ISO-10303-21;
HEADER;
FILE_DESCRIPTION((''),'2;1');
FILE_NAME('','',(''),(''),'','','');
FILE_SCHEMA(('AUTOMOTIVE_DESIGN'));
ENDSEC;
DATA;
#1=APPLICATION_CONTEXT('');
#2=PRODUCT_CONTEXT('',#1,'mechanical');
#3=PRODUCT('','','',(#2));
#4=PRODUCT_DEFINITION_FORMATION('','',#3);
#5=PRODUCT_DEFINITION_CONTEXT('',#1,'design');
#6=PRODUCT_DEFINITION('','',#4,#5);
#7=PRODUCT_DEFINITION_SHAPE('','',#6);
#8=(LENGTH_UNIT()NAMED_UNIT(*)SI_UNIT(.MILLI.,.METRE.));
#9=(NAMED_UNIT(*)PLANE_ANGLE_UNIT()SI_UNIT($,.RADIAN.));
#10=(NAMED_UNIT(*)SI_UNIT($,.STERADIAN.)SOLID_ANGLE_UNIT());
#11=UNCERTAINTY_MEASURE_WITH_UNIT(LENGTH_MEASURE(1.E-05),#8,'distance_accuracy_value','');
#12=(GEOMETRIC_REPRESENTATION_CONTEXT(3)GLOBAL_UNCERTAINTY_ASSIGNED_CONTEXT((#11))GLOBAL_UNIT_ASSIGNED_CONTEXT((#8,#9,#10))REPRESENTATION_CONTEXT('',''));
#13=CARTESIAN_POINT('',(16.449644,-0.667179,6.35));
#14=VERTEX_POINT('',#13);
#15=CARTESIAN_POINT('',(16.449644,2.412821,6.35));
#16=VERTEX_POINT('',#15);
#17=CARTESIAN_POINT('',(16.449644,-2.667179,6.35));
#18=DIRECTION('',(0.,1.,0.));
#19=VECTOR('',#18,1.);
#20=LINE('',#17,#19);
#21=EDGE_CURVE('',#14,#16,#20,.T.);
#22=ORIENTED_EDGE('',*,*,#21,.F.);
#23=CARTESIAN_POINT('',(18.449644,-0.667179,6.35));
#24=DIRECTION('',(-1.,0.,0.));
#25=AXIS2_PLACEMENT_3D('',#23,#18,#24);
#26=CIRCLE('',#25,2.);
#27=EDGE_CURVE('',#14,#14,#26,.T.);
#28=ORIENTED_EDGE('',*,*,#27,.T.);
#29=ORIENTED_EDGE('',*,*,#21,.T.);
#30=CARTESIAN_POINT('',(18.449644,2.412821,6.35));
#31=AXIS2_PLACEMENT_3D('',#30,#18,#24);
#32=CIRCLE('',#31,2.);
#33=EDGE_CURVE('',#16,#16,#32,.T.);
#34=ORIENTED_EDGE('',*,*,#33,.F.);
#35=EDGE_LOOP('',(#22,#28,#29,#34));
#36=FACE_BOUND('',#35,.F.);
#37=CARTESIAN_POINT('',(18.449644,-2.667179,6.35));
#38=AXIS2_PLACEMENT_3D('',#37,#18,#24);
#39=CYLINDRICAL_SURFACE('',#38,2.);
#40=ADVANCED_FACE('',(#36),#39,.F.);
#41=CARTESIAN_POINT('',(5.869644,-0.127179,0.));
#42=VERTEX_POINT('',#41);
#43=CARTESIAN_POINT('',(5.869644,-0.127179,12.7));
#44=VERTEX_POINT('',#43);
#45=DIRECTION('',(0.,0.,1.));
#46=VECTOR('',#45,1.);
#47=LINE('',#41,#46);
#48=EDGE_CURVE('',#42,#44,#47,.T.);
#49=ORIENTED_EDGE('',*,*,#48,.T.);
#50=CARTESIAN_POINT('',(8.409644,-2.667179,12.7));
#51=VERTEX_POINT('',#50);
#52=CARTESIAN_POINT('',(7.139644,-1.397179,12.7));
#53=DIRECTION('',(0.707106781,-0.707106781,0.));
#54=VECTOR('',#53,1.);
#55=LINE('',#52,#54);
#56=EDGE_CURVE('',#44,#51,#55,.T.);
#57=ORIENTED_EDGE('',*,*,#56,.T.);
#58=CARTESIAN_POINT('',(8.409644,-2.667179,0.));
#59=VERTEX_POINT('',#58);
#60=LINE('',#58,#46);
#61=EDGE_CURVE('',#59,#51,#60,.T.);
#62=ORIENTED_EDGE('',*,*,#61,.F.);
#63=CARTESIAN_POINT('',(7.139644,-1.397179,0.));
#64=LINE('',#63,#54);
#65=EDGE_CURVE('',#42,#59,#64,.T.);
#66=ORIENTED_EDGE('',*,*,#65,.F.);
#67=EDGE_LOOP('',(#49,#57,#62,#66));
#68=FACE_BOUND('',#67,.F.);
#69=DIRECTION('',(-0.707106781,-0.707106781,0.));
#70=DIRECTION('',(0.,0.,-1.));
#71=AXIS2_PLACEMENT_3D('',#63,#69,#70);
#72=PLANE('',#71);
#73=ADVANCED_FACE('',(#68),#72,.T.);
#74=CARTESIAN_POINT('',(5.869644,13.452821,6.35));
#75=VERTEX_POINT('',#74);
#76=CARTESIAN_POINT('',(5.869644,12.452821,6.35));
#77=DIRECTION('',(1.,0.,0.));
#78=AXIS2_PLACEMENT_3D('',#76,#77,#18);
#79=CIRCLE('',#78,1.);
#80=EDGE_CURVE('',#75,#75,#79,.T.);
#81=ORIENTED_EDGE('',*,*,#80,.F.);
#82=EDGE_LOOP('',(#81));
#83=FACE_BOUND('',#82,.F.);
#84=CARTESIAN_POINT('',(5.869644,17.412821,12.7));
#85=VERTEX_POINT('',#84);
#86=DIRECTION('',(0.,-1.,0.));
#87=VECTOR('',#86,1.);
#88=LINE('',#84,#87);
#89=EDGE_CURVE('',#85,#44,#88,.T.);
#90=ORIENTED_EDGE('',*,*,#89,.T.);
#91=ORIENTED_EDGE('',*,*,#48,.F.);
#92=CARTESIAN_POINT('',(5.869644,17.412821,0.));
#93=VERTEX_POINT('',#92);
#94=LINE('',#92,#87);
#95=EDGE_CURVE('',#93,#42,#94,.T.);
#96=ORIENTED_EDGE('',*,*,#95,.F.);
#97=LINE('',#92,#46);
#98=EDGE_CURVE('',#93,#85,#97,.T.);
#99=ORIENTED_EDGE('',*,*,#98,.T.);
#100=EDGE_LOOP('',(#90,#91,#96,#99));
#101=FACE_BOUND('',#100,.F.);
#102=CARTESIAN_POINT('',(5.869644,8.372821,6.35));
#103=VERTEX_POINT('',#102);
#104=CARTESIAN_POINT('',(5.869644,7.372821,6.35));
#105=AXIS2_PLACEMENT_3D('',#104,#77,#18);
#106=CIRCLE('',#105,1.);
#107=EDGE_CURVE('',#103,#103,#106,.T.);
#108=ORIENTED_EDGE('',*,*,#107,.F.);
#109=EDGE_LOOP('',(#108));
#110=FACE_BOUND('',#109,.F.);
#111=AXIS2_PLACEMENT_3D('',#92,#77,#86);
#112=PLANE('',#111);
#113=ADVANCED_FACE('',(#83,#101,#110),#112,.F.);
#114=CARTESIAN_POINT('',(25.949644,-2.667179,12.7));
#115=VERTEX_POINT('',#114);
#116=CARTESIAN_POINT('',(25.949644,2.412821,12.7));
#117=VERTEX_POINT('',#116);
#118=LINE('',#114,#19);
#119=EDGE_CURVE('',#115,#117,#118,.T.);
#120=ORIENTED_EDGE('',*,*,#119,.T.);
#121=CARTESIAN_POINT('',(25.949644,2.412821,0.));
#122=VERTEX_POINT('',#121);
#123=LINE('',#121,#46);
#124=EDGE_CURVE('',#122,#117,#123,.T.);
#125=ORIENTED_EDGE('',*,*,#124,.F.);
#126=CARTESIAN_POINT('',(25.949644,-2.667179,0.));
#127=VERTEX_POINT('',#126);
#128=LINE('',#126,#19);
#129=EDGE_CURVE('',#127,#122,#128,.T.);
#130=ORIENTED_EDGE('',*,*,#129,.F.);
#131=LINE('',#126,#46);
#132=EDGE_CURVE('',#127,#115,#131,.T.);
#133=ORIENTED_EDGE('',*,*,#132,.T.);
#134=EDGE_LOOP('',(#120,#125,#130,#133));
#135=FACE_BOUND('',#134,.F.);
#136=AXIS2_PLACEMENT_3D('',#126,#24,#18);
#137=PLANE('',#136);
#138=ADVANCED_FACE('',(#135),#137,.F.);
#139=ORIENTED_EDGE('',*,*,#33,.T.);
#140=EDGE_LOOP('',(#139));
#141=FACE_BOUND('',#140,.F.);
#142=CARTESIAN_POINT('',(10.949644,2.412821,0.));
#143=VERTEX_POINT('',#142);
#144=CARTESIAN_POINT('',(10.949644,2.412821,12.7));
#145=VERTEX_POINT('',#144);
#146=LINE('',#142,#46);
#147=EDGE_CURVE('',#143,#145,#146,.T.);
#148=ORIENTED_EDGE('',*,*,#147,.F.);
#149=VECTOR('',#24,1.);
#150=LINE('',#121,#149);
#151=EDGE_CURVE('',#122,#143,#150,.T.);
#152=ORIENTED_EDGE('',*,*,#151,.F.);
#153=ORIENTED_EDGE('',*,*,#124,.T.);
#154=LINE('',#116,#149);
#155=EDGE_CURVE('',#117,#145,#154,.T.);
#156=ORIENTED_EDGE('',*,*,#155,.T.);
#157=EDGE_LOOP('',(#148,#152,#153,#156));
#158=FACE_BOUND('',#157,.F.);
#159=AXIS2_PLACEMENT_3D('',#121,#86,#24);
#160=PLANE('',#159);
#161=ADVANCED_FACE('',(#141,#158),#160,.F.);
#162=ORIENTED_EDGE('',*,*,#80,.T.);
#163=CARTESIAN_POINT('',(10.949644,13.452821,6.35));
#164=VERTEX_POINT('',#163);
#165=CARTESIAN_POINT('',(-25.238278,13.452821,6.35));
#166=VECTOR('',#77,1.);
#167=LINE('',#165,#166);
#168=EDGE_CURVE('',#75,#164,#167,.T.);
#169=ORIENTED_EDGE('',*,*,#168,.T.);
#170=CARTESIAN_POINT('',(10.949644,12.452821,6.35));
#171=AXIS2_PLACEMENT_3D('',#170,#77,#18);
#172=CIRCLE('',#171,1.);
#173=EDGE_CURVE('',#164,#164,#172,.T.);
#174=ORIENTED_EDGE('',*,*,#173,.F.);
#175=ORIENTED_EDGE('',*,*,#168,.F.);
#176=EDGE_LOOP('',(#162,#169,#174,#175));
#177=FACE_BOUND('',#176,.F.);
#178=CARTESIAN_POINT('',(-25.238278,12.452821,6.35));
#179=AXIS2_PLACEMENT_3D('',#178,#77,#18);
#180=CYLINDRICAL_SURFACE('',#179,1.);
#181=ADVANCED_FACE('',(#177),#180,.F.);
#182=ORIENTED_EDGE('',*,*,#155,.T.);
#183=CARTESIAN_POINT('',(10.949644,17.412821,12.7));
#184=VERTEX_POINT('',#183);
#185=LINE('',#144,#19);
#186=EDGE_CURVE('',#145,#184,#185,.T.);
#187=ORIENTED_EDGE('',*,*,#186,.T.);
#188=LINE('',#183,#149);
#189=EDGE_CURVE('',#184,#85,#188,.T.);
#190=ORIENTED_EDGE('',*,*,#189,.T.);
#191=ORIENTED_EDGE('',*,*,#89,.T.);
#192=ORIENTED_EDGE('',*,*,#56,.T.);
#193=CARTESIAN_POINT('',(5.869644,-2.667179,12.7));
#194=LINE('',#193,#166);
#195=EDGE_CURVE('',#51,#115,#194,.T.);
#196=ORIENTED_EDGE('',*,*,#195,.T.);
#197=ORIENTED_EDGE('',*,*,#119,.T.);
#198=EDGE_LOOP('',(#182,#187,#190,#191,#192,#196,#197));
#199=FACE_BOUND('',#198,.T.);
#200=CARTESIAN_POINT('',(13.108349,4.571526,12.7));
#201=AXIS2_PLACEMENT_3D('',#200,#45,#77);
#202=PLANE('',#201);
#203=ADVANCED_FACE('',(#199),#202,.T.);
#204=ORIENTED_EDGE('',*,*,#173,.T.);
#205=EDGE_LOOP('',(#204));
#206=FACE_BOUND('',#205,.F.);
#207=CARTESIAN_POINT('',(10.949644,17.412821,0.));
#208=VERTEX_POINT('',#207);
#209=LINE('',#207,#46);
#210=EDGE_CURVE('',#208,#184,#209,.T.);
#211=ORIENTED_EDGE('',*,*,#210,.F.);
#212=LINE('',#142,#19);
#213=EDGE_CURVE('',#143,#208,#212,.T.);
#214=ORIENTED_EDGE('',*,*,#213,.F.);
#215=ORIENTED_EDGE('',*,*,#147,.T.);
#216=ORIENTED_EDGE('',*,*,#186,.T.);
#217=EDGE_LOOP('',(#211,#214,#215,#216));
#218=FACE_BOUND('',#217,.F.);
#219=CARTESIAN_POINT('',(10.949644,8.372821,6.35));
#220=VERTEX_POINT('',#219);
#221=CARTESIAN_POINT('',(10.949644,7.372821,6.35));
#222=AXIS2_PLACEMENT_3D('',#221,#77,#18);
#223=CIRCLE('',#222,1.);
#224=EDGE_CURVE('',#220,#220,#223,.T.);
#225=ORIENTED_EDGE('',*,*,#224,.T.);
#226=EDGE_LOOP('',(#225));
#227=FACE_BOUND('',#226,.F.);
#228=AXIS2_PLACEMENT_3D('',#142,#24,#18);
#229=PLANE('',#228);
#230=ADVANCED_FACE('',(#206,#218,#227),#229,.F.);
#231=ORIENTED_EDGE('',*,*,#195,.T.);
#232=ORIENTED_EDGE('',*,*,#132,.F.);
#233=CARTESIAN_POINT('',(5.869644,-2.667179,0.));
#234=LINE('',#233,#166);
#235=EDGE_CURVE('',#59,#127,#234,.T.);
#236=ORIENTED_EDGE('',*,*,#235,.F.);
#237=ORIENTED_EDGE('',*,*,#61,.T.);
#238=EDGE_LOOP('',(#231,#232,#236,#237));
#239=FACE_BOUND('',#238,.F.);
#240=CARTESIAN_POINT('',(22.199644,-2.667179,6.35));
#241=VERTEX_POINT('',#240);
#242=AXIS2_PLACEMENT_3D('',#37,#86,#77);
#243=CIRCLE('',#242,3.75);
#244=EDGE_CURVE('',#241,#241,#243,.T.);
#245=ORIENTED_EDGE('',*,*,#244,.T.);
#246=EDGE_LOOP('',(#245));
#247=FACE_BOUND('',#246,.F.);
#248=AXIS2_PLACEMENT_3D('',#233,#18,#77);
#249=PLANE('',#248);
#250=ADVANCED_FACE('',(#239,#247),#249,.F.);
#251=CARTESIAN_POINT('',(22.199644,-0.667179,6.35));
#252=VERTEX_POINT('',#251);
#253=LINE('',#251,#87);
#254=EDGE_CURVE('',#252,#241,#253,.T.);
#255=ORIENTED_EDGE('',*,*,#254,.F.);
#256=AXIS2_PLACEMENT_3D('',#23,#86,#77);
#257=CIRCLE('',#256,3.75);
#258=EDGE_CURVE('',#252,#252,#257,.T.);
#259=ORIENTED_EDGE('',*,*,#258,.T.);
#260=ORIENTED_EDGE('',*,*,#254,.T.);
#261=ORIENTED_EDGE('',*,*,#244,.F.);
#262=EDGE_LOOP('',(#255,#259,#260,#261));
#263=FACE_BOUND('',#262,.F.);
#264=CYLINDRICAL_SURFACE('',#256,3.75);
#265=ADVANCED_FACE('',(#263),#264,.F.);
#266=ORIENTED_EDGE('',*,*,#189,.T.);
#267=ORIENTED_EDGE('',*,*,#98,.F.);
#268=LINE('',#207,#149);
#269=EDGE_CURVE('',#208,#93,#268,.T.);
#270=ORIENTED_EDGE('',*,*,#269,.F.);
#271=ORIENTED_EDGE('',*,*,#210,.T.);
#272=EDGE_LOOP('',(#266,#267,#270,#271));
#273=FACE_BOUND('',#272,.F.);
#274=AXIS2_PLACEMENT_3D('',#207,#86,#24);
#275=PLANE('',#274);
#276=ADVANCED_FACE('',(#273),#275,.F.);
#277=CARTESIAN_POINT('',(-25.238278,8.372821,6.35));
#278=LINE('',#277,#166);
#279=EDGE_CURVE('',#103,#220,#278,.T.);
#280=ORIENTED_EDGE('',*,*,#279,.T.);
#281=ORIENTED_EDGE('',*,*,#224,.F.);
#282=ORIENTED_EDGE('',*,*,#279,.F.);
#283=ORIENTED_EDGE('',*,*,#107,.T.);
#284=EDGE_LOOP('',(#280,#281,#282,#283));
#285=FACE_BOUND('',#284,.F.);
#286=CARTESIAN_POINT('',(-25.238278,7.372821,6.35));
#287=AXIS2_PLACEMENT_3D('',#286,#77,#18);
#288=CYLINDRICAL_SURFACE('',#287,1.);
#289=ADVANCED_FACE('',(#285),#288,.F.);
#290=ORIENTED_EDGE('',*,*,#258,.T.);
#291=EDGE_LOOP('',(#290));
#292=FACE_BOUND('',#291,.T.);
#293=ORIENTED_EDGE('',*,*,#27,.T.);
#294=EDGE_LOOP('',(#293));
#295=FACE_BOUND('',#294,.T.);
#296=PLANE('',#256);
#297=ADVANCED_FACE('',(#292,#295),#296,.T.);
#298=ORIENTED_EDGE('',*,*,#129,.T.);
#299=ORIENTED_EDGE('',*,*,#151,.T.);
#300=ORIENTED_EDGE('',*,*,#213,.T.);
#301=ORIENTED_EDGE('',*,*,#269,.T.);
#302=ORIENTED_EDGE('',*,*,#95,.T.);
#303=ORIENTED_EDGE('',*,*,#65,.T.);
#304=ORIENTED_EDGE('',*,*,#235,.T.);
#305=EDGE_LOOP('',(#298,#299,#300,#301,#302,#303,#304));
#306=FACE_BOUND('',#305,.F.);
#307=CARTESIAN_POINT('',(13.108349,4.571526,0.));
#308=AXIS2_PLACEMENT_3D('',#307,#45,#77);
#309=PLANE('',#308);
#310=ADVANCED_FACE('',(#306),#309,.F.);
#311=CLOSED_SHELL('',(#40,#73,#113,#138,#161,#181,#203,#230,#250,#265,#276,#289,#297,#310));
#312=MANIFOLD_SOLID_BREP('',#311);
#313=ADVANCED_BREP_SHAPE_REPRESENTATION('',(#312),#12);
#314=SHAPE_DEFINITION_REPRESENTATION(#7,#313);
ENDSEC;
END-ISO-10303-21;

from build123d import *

# Parameters (mm, degrees)
F1_DEPTH       = 12.7
F3_D           = 4
F3_DEPTH       = 12.7
F3_CBORE_D     = 7.5
F3_CBORE_DEPTH = 2
F4_SIZE        = 2.54
F6_D           = 2


with BuildPart() as f1:
    # F0 (on Top) → F1 (new body)
    with BuildSketch(Plane.XY):
        Polygon((10.949644, 17.412821), (5.869644, 17.412821), (5.869644, -2.667179), (25.949644, -2.667179), (25.949644, 2.412821), (10.949644, 2.412821), align=None)
    extrude(amount=F1_DEPTH)

    # F3
    with Locations(Plane.XZ.offset(2.667179)):
        with Locations((18.449644, 6.35)):
            CounterBoreHole(F3_D / 2, F3_CBORE_D / 2, F3_CBORE_DEPTH, depth=F3_DEPTH)

    # F4
    f4_edges = [f1.edges().sort_by_distance(p)[0] for p in [
        (5.869644, -2.667179, 6.35),
    ]]
    chamfer(f4_edges, length=F4_SIZE)

    # F6 (through all)
    with Locations(Plane(origin=(5.869644, 0, 0), x_dir=(0, -1, 0), z_dir=(-1, 0, 0))):
        with Locations((-7.372821, 6.35), (-12.452821, 6.35)):
            Hole(F6_D / 2)


solid = f1.part
